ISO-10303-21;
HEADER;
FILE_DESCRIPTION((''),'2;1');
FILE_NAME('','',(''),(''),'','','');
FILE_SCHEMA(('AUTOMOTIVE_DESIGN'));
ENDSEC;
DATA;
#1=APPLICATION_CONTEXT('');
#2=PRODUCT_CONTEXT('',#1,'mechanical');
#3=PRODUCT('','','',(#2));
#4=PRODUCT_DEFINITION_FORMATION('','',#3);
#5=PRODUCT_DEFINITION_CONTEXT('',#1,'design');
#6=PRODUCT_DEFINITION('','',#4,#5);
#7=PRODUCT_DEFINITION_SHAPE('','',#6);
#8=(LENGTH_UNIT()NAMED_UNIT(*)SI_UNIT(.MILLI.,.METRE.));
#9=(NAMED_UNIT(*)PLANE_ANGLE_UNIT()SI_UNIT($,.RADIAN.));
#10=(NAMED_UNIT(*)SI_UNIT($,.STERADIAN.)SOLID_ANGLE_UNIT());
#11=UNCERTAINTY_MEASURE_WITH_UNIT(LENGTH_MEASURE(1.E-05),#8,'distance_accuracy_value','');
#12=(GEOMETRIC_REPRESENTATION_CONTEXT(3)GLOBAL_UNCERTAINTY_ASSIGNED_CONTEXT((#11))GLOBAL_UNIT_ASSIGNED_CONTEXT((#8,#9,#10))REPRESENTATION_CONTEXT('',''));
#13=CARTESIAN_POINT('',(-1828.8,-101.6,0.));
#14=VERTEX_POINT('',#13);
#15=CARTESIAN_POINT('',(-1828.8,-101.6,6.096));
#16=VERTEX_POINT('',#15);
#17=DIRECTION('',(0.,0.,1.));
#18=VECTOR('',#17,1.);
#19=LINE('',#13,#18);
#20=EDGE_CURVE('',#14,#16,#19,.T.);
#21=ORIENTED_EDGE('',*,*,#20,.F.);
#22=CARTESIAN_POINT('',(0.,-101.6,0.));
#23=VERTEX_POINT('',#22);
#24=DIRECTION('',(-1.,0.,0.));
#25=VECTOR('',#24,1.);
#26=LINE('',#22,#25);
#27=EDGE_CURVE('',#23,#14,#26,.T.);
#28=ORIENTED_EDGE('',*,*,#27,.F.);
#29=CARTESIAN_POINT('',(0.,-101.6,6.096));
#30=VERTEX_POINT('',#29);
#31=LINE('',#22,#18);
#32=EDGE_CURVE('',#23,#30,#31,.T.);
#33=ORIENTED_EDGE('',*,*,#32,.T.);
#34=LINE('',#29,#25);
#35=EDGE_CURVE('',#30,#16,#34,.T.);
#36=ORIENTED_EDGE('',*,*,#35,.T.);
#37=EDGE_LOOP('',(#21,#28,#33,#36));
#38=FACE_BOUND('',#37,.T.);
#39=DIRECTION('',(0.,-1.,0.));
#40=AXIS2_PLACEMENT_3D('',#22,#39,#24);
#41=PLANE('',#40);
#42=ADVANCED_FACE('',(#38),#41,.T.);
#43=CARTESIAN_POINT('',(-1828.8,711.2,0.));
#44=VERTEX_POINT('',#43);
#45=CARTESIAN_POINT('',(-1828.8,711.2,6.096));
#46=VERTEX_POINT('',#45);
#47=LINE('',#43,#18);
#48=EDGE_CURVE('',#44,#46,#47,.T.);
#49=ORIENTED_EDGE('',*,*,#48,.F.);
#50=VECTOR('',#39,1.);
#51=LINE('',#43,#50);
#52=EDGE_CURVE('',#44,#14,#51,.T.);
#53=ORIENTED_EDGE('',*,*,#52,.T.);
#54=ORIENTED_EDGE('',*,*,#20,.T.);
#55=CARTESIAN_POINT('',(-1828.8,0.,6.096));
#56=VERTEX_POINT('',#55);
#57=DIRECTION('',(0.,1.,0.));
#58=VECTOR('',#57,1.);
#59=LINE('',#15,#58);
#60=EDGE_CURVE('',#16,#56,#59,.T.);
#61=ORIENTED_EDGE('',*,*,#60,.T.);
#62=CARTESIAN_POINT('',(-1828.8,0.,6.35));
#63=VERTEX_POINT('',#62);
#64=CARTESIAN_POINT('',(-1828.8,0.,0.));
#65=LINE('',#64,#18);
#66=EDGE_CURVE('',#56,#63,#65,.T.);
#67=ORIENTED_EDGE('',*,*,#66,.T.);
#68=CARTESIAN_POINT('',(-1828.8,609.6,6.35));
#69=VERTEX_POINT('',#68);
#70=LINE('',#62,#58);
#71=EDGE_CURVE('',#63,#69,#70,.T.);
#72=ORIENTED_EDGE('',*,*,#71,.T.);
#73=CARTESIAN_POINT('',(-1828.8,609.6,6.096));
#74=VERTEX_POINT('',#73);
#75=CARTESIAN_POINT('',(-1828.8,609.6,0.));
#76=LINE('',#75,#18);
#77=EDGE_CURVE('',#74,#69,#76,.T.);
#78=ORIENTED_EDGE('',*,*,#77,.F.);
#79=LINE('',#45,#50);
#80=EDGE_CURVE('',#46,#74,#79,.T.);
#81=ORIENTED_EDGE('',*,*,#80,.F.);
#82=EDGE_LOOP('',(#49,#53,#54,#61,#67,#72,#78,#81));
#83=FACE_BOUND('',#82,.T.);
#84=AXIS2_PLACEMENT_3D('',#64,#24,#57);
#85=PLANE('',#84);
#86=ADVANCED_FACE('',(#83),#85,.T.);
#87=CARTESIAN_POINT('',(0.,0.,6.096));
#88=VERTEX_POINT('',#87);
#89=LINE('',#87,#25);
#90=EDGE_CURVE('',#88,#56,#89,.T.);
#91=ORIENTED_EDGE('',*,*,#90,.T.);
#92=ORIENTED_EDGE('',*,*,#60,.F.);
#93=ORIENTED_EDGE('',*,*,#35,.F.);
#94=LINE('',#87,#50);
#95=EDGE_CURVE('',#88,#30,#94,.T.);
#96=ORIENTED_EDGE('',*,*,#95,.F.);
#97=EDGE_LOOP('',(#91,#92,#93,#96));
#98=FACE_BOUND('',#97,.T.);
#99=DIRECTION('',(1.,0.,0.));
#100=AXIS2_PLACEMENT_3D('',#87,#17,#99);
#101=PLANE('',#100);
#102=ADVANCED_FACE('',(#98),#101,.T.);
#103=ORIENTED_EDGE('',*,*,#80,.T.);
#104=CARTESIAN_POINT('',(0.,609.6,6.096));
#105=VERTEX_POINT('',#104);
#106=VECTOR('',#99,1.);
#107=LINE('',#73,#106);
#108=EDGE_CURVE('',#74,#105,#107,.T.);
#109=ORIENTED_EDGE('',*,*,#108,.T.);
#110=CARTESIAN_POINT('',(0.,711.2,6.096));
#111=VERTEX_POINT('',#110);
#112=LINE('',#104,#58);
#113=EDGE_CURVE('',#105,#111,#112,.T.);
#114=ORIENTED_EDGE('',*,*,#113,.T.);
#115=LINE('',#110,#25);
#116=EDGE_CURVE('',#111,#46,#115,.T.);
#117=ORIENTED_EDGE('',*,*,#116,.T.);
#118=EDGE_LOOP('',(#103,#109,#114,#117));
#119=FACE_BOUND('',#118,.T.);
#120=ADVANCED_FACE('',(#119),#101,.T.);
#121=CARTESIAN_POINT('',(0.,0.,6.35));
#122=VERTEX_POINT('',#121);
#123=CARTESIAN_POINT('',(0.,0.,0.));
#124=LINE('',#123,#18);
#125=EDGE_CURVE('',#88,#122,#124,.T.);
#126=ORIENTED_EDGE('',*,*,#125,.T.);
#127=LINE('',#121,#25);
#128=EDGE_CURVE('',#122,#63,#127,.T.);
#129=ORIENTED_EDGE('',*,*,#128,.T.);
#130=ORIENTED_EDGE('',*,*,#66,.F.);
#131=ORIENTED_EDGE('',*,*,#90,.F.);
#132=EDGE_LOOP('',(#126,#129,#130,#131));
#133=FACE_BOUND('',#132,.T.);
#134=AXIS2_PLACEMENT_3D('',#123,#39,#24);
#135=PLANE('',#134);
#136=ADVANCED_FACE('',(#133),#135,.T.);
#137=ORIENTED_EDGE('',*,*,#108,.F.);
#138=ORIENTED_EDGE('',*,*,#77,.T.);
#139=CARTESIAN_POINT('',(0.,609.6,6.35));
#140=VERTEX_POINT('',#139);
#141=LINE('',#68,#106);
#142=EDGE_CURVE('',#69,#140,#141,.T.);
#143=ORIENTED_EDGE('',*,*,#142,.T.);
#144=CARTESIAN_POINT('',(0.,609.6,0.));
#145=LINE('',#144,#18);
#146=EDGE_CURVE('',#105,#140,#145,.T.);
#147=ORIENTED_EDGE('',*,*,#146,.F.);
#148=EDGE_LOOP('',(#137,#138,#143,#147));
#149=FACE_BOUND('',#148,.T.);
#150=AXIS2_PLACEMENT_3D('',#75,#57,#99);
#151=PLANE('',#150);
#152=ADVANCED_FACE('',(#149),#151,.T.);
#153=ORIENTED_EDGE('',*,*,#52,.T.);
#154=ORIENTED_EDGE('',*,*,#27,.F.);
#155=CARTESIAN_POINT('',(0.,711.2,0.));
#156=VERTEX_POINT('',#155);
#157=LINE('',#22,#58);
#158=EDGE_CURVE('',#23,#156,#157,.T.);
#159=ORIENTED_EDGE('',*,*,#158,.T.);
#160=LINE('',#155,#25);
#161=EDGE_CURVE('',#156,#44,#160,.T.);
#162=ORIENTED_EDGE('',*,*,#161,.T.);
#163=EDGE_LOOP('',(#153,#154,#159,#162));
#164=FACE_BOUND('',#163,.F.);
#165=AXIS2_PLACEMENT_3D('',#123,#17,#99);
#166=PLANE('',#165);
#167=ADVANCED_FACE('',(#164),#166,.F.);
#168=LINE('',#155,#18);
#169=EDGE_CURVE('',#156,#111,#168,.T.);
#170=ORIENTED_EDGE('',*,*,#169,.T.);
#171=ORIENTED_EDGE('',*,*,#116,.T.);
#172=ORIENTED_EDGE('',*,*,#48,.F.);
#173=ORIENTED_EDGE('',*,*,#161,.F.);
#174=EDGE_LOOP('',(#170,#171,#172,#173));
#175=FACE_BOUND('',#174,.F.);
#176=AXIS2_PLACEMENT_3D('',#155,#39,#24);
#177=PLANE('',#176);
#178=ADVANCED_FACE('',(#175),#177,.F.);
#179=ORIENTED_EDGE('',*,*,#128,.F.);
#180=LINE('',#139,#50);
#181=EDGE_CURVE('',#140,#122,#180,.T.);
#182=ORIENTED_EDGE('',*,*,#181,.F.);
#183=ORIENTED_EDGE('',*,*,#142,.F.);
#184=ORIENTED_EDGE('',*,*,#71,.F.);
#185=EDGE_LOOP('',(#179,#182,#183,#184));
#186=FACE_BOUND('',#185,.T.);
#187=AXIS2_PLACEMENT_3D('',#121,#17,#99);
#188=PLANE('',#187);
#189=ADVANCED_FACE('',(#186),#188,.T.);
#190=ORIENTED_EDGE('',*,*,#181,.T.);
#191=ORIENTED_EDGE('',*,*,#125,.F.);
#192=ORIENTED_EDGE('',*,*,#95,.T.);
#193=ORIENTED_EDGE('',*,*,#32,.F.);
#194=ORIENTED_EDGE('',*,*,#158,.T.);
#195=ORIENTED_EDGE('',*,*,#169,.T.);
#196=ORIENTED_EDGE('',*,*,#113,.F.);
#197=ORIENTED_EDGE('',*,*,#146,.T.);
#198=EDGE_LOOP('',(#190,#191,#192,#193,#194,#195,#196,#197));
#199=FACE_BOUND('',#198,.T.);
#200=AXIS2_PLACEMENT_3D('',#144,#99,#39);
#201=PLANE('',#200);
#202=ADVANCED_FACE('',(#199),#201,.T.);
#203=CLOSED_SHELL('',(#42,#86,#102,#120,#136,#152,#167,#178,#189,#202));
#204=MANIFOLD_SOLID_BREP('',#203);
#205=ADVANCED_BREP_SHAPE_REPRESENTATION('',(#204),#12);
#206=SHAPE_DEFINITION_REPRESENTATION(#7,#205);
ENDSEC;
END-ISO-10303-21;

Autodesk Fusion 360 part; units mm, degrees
sketch "Sketch1" plane through (0, 0, 0) normal (0, 0, 1) x (1, 0, 0)
  line L0 (0, 0) -> (-1828.8, 0)
  line L1 (-1828.8, 0) -> (-1828.8, 609.6)
  line L2 (-1828.8, 609.6) -> (0, 609.6)
  line L3 (0, 609.6) -> (0, 0)
  line L4 (-1828.8, 0) -> (0, 0)
  line L5 (0, 0) -> (0, -101.6)
  line L6 (0, -101.6) -> (-1828.8, -101.6)
  line L7 (-1828.8, -101.6) -> (-1828.8, 0)
  line L8 (-1828.8, 609.6) -> (0, 609.6)
  line L9 (0, 609.6) -> (0, 711.2)
  line L10 (0, 711.2) -> (-1828.8, 711.2)
  line L11 (-1828.8, 711.2) -> (-1828.8, 609.6)
  dimension "d1" = 1828.8
  dimension "d2" = 609.6
  dimension "d3" = 1828.8
  dimension "d4" = 101.6
  dimension "d5" = 101.6
extrude "Extrude1" add sketch "Sketch1" along normal blind 6.35 contours L0 L1 L2 L3 L4 L8
extrude "Extrude2" add sketch "Sketch1" along normal blind 6.096 contours L0 L4 L5 L6 L7 | L2 L8 L9 L10 L11
